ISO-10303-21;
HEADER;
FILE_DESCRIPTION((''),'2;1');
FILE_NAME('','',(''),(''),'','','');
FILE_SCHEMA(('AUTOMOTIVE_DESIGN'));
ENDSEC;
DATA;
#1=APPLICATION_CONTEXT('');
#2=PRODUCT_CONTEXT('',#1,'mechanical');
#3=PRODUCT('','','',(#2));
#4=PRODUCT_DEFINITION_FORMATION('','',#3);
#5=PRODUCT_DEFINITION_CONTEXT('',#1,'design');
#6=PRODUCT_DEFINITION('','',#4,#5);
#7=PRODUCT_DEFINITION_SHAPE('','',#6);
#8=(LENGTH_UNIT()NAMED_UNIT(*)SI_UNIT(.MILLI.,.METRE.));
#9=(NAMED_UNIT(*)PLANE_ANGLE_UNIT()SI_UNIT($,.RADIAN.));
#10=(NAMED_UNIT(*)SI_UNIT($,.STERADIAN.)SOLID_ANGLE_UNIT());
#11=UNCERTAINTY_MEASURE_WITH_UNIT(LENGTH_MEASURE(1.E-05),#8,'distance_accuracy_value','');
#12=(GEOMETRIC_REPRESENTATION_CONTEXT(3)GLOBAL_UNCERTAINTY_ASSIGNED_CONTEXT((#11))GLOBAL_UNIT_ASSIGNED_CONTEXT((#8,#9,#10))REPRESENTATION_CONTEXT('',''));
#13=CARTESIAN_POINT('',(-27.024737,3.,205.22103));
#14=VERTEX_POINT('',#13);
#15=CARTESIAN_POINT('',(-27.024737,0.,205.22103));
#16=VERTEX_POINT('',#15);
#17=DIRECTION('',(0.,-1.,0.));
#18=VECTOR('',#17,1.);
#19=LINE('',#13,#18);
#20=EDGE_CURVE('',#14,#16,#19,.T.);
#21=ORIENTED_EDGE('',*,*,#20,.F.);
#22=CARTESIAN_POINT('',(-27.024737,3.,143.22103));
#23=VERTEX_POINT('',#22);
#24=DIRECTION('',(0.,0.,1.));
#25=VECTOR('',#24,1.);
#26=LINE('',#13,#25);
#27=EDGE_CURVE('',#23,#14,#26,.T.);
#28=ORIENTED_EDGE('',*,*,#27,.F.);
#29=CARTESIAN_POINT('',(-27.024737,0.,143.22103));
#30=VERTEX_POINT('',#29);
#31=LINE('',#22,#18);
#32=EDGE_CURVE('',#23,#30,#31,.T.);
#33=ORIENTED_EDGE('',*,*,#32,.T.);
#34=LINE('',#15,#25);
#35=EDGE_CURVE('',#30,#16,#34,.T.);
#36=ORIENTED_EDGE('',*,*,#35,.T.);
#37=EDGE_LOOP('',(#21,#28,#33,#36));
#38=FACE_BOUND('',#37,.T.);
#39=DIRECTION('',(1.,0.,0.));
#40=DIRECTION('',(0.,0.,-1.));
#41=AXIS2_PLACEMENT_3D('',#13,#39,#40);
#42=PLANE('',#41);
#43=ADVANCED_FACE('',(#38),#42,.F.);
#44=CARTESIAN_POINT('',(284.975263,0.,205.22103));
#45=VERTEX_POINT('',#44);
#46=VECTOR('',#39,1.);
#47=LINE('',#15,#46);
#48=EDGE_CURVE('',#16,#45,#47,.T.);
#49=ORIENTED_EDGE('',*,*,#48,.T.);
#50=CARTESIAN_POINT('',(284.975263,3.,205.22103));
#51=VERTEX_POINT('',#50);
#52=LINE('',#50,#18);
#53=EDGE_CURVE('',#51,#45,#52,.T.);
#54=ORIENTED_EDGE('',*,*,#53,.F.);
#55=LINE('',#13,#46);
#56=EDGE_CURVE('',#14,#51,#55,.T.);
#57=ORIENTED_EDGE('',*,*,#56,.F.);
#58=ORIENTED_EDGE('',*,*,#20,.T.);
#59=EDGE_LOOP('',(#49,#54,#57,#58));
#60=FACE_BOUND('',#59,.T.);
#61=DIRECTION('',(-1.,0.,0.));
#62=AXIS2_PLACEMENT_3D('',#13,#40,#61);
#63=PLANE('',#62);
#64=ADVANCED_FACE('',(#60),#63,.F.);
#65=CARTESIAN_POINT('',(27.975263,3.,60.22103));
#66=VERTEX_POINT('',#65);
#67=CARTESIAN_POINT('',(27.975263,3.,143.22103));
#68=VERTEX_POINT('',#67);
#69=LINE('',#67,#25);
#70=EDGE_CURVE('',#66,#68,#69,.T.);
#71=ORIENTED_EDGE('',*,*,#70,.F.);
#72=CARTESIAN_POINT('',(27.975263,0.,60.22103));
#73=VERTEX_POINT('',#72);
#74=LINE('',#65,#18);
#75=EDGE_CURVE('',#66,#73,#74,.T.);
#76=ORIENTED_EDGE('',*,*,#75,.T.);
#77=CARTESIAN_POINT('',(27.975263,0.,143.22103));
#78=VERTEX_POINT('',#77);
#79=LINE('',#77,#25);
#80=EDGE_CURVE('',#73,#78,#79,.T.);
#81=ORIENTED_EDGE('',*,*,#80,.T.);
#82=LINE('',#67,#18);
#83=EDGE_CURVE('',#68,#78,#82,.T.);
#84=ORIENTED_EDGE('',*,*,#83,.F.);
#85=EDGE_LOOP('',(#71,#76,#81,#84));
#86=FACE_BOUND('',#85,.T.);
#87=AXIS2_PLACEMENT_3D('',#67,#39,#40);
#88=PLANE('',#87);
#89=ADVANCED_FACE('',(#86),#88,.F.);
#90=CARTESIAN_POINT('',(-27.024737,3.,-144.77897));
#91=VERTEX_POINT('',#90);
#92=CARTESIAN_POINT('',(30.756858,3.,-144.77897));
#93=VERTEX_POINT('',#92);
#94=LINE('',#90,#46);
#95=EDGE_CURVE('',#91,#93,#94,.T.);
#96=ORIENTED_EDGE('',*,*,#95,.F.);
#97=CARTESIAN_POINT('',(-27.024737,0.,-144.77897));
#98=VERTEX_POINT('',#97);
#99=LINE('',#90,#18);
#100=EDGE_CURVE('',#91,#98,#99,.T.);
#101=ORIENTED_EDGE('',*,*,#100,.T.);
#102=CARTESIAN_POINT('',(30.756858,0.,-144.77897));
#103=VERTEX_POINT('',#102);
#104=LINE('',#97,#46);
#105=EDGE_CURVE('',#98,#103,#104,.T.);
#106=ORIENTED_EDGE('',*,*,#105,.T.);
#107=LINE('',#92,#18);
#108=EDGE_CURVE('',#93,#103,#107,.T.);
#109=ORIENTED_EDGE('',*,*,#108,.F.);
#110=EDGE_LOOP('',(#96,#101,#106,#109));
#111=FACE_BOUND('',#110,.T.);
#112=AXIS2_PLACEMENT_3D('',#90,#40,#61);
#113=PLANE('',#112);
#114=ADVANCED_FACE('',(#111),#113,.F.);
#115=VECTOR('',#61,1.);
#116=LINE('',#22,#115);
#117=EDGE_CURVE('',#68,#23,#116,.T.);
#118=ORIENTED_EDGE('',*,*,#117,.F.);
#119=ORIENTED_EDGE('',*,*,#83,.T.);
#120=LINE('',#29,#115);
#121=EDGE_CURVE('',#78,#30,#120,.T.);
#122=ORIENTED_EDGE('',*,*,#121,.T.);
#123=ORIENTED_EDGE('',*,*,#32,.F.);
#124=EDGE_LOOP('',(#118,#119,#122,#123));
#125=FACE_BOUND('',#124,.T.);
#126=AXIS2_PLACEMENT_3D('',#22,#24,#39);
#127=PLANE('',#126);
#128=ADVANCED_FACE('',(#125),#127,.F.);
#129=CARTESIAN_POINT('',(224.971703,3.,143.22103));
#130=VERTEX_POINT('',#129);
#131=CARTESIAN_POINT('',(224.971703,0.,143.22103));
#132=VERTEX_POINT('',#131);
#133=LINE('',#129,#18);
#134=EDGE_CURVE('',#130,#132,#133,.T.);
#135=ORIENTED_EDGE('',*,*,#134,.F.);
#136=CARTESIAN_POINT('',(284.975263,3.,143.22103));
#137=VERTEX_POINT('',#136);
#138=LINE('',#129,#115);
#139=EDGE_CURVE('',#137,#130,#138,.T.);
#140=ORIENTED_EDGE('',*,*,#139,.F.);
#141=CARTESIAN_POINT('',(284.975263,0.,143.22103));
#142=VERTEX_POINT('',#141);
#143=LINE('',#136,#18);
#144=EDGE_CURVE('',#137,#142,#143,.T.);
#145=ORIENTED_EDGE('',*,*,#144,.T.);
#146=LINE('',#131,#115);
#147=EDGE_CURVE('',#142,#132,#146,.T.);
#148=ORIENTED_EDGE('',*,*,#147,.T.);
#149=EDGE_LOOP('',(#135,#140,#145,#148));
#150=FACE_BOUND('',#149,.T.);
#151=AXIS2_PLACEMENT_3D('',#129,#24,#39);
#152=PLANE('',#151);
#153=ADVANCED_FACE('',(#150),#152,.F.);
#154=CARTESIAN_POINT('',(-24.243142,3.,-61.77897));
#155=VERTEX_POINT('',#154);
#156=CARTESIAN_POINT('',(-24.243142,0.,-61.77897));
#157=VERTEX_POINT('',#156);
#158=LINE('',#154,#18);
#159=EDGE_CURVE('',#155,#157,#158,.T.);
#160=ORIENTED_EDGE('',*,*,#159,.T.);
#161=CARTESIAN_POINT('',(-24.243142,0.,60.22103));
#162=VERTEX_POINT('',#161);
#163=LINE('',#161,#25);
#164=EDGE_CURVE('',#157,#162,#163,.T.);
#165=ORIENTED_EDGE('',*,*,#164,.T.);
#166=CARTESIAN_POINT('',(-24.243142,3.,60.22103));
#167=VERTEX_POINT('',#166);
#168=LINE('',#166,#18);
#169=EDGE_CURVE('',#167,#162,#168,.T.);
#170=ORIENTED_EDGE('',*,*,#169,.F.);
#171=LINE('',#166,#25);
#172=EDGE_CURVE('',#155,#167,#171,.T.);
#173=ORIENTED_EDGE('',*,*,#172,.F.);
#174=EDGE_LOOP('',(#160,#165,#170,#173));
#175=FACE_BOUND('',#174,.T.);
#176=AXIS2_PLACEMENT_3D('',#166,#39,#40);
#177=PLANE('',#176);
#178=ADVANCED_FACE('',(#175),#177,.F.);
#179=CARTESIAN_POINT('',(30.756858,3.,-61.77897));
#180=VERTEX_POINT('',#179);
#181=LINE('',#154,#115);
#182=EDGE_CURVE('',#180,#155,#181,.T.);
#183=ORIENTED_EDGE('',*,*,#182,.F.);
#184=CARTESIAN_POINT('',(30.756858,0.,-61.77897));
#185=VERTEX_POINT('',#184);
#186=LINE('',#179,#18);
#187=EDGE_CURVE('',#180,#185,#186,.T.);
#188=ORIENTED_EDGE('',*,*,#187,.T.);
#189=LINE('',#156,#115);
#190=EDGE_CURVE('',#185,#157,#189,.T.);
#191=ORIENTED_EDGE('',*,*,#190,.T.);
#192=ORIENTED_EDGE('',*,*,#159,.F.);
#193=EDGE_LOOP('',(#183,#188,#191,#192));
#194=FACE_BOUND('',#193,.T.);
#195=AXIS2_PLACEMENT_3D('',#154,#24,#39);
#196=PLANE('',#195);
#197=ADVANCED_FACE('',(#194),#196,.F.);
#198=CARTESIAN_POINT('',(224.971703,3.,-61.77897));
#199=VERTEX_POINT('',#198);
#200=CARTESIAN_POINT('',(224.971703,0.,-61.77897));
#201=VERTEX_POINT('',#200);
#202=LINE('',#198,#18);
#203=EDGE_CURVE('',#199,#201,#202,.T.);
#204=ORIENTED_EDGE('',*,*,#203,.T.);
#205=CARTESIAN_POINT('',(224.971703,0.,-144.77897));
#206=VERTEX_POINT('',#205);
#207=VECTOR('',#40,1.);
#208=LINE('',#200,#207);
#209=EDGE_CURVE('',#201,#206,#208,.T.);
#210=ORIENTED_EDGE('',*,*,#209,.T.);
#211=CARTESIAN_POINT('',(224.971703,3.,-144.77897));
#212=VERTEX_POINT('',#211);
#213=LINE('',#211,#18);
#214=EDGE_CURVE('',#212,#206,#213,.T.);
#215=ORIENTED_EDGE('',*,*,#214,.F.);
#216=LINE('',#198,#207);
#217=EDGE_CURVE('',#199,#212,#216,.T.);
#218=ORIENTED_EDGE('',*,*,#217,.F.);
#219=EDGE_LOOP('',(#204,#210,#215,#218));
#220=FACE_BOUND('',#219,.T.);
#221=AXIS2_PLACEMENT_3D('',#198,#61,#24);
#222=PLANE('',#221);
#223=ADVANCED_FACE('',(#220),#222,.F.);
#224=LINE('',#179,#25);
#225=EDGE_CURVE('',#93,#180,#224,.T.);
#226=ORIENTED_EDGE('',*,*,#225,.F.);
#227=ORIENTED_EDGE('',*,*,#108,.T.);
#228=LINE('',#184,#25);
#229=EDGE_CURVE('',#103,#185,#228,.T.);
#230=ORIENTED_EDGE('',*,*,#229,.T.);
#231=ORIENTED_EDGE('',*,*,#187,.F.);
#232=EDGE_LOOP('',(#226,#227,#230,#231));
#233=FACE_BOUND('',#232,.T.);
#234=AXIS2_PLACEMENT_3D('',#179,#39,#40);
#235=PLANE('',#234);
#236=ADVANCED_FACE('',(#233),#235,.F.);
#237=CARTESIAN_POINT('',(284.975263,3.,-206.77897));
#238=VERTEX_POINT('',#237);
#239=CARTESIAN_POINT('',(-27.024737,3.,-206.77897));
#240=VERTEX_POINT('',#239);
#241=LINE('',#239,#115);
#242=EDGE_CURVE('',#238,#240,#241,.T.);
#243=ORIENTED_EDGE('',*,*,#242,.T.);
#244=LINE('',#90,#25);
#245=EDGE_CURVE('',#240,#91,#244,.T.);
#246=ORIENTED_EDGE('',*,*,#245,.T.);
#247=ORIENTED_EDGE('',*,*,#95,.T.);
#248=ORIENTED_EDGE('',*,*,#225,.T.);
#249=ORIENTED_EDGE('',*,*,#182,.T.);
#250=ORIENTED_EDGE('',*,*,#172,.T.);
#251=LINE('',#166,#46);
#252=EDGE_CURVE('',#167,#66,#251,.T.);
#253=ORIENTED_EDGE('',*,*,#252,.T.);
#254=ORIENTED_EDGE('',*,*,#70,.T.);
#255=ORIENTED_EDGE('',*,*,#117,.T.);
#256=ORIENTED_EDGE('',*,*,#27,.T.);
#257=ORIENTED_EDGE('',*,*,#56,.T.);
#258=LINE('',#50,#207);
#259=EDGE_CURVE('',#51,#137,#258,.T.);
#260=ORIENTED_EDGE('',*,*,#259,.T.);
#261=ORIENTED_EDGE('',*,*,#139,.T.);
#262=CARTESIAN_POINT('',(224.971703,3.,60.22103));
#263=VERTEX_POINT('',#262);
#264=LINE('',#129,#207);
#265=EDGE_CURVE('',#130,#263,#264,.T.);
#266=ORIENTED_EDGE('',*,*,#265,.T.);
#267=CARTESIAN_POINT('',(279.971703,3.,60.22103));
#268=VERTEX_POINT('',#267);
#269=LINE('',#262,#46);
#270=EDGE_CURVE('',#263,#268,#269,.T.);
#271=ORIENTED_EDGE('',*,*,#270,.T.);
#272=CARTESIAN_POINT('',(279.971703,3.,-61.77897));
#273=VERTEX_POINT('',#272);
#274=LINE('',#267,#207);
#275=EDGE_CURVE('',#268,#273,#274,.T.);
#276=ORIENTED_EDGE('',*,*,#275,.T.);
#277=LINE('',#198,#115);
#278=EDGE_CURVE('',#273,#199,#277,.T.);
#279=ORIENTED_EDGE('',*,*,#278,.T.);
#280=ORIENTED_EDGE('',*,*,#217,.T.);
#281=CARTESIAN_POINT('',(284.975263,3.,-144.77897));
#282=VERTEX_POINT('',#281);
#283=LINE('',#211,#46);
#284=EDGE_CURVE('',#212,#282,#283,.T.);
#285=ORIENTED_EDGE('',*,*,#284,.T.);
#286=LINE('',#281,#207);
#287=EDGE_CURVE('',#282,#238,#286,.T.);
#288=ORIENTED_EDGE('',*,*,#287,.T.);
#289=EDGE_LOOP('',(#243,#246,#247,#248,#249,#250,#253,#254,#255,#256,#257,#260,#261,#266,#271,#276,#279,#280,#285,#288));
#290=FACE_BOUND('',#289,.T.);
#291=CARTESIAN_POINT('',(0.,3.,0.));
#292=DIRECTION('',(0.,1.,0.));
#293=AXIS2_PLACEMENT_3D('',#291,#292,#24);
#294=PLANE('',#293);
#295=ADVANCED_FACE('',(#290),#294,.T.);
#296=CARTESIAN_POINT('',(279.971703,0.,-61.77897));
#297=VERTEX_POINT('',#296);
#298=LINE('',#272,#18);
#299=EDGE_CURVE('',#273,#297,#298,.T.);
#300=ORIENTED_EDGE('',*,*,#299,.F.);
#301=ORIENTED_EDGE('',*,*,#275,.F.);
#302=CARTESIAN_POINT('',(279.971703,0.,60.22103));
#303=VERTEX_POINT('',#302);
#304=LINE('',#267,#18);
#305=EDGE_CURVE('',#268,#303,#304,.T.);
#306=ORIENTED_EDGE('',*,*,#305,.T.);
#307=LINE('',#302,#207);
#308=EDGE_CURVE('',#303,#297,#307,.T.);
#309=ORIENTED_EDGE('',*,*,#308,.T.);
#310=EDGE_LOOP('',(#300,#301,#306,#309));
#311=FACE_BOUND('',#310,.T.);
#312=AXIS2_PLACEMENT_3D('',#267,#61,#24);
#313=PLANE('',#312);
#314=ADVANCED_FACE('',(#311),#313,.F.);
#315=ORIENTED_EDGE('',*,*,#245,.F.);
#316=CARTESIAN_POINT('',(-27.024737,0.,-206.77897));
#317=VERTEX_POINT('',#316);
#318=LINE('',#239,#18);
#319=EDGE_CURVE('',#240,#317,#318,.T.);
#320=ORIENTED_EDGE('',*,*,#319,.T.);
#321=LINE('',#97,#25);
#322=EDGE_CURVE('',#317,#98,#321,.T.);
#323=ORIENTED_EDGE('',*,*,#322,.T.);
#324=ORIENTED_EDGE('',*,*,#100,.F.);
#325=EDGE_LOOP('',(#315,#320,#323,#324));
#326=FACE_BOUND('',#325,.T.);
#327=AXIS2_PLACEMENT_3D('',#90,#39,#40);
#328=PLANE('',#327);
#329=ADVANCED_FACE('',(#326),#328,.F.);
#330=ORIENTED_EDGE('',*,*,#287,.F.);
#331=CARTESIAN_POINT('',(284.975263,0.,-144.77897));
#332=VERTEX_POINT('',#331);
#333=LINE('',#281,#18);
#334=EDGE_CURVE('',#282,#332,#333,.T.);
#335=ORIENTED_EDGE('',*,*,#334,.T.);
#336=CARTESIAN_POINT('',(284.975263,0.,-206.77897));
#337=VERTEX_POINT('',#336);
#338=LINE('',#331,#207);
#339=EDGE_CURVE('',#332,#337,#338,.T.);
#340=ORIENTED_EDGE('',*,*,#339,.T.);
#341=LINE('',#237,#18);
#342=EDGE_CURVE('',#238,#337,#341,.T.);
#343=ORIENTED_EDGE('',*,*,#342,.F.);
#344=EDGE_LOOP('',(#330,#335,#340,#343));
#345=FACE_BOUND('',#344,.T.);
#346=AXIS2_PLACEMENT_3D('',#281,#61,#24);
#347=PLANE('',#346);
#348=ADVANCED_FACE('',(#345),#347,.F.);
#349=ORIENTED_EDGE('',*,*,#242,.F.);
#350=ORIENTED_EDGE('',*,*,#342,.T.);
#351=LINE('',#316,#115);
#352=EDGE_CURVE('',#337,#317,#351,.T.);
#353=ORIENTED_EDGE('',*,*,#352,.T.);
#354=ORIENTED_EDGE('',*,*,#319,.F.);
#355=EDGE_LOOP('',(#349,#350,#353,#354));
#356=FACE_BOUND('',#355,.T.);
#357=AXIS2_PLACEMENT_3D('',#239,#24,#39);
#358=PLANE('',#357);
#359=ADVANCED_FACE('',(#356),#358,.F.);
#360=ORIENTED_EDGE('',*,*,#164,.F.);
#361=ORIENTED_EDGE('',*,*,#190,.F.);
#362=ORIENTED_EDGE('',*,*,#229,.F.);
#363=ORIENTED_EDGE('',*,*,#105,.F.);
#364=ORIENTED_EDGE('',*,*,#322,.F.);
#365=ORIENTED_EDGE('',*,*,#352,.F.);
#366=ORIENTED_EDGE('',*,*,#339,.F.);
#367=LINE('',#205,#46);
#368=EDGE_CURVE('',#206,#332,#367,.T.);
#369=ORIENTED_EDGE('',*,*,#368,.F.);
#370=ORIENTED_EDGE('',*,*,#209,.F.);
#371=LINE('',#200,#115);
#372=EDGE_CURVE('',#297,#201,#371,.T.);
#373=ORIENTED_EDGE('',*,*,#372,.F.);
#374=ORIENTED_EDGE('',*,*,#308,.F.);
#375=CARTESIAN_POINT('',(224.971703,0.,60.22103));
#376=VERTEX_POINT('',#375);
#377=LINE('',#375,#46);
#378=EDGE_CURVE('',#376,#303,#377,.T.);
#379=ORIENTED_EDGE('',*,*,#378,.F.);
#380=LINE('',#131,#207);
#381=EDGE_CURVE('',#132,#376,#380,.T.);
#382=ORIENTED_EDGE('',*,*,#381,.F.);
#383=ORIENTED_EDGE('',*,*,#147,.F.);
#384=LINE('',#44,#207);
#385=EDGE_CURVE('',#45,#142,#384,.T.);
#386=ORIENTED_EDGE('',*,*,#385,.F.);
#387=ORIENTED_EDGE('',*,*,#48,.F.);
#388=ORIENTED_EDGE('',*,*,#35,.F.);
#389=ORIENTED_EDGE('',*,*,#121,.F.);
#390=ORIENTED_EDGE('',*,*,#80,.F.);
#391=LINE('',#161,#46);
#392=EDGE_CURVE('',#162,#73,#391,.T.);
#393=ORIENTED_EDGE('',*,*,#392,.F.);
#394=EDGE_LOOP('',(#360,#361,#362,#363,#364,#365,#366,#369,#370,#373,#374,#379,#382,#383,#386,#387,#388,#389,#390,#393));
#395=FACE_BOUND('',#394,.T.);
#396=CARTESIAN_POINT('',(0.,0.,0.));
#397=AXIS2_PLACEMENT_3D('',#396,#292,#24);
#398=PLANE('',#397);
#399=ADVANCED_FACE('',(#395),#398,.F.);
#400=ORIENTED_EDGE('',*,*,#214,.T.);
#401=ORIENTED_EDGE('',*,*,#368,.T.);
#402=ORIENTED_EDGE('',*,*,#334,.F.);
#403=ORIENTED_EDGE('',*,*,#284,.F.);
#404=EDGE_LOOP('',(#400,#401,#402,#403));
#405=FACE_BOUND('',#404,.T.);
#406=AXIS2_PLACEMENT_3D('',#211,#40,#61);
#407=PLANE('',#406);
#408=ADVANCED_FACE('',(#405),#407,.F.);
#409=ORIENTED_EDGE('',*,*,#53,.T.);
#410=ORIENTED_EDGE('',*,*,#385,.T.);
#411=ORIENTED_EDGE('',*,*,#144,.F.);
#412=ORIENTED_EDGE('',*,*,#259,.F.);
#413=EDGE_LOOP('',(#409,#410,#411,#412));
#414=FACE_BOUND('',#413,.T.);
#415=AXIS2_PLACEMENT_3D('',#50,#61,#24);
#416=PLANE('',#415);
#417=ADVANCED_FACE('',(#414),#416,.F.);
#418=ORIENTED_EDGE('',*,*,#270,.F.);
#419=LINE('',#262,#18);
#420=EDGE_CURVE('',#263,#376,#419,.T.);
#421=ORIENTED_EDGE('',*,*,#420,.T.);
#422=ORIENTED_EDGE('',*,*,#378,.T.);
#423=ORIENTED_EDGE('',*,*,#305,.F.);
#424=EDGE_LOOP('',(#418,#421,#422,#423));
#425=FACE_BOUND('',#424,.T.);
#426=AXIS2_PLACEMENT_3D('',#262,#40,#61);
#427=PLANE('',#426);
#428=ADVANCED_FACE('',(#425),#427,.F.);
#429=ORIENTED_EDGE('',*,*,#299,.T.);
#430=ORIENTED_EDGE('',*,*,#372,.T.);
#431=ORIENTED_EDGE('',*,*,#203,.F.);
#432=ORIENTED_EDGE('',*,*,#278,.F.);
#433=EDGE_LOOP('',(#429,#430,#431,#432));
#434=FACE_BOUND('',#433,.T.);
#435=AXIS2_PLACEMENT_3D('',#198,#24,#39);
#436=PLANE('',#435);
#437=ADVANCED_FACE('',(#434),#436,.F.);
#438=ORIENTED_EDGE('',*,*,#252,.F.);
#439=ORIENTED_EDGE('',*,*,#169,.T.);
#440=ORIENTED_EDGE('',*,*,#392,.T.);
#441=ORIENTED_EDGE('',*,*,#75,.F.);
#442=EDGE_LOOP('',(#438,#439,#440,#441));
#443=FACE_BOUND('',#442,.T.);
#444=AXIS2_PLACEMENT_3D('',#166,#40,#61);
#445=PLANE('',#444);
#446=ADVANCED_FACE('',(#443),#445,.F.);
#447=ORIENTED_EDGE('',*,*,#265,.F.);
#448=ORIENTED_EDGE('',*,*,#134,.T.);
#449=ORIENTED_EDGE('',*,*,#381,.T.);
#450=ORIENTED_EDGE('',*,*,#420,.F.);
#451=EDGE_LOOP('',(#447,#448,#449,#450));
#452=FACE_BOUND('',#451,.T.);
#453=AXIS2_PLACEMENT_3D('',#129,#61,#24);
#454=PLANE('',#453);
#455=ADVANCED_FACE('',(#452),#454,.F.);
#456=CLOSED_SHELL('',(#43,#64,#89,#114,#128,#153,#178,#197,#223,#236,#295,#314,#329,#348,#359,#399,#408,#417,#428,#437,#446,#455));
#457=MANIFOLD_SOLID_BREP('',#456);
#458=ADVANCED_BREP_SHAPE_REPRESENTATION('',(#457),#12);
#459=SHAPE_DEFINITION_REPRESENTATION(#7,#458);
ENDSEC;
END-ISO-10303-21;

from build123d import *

# Parameters (mm, degrees)
BOSS_EXTRUDE1_DEPTH = 3


with BuildPart() as part:
    # Sketch1 → Boss-Extrude1 (new body)
    with BuildSketch(Plane(origin=(0, 0, 0), x_dir=(1, 0, 0), z_dir=(0, 1, 0))):
        Polygon((-27.024736932, 144.778970111), (-27.024736932, 206.778970111), (284.975263068, 206.778970111), (284.975263068, 144.778970111), (224.971702652, 144.778970111), (224.971702652, 61.778970111), (279.971702652, 61.778970111), (279.971702652, -60.221029889), (224.971702652, -60.221029889), (224.971702652, -143.221029889), (284.975263068, -143.221029889), (284.975263068, -205.221029889), (-27.024736932, -205.221029889), (-27.024736932, -143.221029889), (27.975263068, -143.221029889), (27.975263068, -60.221029889), (-24.243142, -60.221029889), (-24.243142, 61.778970111), (30.756858, 61.778970111), (30.756858, 144.778970111), align=None)
    extrude(amount=BOSS_EXTRUDE1_DEPTH)


solid = part.part
